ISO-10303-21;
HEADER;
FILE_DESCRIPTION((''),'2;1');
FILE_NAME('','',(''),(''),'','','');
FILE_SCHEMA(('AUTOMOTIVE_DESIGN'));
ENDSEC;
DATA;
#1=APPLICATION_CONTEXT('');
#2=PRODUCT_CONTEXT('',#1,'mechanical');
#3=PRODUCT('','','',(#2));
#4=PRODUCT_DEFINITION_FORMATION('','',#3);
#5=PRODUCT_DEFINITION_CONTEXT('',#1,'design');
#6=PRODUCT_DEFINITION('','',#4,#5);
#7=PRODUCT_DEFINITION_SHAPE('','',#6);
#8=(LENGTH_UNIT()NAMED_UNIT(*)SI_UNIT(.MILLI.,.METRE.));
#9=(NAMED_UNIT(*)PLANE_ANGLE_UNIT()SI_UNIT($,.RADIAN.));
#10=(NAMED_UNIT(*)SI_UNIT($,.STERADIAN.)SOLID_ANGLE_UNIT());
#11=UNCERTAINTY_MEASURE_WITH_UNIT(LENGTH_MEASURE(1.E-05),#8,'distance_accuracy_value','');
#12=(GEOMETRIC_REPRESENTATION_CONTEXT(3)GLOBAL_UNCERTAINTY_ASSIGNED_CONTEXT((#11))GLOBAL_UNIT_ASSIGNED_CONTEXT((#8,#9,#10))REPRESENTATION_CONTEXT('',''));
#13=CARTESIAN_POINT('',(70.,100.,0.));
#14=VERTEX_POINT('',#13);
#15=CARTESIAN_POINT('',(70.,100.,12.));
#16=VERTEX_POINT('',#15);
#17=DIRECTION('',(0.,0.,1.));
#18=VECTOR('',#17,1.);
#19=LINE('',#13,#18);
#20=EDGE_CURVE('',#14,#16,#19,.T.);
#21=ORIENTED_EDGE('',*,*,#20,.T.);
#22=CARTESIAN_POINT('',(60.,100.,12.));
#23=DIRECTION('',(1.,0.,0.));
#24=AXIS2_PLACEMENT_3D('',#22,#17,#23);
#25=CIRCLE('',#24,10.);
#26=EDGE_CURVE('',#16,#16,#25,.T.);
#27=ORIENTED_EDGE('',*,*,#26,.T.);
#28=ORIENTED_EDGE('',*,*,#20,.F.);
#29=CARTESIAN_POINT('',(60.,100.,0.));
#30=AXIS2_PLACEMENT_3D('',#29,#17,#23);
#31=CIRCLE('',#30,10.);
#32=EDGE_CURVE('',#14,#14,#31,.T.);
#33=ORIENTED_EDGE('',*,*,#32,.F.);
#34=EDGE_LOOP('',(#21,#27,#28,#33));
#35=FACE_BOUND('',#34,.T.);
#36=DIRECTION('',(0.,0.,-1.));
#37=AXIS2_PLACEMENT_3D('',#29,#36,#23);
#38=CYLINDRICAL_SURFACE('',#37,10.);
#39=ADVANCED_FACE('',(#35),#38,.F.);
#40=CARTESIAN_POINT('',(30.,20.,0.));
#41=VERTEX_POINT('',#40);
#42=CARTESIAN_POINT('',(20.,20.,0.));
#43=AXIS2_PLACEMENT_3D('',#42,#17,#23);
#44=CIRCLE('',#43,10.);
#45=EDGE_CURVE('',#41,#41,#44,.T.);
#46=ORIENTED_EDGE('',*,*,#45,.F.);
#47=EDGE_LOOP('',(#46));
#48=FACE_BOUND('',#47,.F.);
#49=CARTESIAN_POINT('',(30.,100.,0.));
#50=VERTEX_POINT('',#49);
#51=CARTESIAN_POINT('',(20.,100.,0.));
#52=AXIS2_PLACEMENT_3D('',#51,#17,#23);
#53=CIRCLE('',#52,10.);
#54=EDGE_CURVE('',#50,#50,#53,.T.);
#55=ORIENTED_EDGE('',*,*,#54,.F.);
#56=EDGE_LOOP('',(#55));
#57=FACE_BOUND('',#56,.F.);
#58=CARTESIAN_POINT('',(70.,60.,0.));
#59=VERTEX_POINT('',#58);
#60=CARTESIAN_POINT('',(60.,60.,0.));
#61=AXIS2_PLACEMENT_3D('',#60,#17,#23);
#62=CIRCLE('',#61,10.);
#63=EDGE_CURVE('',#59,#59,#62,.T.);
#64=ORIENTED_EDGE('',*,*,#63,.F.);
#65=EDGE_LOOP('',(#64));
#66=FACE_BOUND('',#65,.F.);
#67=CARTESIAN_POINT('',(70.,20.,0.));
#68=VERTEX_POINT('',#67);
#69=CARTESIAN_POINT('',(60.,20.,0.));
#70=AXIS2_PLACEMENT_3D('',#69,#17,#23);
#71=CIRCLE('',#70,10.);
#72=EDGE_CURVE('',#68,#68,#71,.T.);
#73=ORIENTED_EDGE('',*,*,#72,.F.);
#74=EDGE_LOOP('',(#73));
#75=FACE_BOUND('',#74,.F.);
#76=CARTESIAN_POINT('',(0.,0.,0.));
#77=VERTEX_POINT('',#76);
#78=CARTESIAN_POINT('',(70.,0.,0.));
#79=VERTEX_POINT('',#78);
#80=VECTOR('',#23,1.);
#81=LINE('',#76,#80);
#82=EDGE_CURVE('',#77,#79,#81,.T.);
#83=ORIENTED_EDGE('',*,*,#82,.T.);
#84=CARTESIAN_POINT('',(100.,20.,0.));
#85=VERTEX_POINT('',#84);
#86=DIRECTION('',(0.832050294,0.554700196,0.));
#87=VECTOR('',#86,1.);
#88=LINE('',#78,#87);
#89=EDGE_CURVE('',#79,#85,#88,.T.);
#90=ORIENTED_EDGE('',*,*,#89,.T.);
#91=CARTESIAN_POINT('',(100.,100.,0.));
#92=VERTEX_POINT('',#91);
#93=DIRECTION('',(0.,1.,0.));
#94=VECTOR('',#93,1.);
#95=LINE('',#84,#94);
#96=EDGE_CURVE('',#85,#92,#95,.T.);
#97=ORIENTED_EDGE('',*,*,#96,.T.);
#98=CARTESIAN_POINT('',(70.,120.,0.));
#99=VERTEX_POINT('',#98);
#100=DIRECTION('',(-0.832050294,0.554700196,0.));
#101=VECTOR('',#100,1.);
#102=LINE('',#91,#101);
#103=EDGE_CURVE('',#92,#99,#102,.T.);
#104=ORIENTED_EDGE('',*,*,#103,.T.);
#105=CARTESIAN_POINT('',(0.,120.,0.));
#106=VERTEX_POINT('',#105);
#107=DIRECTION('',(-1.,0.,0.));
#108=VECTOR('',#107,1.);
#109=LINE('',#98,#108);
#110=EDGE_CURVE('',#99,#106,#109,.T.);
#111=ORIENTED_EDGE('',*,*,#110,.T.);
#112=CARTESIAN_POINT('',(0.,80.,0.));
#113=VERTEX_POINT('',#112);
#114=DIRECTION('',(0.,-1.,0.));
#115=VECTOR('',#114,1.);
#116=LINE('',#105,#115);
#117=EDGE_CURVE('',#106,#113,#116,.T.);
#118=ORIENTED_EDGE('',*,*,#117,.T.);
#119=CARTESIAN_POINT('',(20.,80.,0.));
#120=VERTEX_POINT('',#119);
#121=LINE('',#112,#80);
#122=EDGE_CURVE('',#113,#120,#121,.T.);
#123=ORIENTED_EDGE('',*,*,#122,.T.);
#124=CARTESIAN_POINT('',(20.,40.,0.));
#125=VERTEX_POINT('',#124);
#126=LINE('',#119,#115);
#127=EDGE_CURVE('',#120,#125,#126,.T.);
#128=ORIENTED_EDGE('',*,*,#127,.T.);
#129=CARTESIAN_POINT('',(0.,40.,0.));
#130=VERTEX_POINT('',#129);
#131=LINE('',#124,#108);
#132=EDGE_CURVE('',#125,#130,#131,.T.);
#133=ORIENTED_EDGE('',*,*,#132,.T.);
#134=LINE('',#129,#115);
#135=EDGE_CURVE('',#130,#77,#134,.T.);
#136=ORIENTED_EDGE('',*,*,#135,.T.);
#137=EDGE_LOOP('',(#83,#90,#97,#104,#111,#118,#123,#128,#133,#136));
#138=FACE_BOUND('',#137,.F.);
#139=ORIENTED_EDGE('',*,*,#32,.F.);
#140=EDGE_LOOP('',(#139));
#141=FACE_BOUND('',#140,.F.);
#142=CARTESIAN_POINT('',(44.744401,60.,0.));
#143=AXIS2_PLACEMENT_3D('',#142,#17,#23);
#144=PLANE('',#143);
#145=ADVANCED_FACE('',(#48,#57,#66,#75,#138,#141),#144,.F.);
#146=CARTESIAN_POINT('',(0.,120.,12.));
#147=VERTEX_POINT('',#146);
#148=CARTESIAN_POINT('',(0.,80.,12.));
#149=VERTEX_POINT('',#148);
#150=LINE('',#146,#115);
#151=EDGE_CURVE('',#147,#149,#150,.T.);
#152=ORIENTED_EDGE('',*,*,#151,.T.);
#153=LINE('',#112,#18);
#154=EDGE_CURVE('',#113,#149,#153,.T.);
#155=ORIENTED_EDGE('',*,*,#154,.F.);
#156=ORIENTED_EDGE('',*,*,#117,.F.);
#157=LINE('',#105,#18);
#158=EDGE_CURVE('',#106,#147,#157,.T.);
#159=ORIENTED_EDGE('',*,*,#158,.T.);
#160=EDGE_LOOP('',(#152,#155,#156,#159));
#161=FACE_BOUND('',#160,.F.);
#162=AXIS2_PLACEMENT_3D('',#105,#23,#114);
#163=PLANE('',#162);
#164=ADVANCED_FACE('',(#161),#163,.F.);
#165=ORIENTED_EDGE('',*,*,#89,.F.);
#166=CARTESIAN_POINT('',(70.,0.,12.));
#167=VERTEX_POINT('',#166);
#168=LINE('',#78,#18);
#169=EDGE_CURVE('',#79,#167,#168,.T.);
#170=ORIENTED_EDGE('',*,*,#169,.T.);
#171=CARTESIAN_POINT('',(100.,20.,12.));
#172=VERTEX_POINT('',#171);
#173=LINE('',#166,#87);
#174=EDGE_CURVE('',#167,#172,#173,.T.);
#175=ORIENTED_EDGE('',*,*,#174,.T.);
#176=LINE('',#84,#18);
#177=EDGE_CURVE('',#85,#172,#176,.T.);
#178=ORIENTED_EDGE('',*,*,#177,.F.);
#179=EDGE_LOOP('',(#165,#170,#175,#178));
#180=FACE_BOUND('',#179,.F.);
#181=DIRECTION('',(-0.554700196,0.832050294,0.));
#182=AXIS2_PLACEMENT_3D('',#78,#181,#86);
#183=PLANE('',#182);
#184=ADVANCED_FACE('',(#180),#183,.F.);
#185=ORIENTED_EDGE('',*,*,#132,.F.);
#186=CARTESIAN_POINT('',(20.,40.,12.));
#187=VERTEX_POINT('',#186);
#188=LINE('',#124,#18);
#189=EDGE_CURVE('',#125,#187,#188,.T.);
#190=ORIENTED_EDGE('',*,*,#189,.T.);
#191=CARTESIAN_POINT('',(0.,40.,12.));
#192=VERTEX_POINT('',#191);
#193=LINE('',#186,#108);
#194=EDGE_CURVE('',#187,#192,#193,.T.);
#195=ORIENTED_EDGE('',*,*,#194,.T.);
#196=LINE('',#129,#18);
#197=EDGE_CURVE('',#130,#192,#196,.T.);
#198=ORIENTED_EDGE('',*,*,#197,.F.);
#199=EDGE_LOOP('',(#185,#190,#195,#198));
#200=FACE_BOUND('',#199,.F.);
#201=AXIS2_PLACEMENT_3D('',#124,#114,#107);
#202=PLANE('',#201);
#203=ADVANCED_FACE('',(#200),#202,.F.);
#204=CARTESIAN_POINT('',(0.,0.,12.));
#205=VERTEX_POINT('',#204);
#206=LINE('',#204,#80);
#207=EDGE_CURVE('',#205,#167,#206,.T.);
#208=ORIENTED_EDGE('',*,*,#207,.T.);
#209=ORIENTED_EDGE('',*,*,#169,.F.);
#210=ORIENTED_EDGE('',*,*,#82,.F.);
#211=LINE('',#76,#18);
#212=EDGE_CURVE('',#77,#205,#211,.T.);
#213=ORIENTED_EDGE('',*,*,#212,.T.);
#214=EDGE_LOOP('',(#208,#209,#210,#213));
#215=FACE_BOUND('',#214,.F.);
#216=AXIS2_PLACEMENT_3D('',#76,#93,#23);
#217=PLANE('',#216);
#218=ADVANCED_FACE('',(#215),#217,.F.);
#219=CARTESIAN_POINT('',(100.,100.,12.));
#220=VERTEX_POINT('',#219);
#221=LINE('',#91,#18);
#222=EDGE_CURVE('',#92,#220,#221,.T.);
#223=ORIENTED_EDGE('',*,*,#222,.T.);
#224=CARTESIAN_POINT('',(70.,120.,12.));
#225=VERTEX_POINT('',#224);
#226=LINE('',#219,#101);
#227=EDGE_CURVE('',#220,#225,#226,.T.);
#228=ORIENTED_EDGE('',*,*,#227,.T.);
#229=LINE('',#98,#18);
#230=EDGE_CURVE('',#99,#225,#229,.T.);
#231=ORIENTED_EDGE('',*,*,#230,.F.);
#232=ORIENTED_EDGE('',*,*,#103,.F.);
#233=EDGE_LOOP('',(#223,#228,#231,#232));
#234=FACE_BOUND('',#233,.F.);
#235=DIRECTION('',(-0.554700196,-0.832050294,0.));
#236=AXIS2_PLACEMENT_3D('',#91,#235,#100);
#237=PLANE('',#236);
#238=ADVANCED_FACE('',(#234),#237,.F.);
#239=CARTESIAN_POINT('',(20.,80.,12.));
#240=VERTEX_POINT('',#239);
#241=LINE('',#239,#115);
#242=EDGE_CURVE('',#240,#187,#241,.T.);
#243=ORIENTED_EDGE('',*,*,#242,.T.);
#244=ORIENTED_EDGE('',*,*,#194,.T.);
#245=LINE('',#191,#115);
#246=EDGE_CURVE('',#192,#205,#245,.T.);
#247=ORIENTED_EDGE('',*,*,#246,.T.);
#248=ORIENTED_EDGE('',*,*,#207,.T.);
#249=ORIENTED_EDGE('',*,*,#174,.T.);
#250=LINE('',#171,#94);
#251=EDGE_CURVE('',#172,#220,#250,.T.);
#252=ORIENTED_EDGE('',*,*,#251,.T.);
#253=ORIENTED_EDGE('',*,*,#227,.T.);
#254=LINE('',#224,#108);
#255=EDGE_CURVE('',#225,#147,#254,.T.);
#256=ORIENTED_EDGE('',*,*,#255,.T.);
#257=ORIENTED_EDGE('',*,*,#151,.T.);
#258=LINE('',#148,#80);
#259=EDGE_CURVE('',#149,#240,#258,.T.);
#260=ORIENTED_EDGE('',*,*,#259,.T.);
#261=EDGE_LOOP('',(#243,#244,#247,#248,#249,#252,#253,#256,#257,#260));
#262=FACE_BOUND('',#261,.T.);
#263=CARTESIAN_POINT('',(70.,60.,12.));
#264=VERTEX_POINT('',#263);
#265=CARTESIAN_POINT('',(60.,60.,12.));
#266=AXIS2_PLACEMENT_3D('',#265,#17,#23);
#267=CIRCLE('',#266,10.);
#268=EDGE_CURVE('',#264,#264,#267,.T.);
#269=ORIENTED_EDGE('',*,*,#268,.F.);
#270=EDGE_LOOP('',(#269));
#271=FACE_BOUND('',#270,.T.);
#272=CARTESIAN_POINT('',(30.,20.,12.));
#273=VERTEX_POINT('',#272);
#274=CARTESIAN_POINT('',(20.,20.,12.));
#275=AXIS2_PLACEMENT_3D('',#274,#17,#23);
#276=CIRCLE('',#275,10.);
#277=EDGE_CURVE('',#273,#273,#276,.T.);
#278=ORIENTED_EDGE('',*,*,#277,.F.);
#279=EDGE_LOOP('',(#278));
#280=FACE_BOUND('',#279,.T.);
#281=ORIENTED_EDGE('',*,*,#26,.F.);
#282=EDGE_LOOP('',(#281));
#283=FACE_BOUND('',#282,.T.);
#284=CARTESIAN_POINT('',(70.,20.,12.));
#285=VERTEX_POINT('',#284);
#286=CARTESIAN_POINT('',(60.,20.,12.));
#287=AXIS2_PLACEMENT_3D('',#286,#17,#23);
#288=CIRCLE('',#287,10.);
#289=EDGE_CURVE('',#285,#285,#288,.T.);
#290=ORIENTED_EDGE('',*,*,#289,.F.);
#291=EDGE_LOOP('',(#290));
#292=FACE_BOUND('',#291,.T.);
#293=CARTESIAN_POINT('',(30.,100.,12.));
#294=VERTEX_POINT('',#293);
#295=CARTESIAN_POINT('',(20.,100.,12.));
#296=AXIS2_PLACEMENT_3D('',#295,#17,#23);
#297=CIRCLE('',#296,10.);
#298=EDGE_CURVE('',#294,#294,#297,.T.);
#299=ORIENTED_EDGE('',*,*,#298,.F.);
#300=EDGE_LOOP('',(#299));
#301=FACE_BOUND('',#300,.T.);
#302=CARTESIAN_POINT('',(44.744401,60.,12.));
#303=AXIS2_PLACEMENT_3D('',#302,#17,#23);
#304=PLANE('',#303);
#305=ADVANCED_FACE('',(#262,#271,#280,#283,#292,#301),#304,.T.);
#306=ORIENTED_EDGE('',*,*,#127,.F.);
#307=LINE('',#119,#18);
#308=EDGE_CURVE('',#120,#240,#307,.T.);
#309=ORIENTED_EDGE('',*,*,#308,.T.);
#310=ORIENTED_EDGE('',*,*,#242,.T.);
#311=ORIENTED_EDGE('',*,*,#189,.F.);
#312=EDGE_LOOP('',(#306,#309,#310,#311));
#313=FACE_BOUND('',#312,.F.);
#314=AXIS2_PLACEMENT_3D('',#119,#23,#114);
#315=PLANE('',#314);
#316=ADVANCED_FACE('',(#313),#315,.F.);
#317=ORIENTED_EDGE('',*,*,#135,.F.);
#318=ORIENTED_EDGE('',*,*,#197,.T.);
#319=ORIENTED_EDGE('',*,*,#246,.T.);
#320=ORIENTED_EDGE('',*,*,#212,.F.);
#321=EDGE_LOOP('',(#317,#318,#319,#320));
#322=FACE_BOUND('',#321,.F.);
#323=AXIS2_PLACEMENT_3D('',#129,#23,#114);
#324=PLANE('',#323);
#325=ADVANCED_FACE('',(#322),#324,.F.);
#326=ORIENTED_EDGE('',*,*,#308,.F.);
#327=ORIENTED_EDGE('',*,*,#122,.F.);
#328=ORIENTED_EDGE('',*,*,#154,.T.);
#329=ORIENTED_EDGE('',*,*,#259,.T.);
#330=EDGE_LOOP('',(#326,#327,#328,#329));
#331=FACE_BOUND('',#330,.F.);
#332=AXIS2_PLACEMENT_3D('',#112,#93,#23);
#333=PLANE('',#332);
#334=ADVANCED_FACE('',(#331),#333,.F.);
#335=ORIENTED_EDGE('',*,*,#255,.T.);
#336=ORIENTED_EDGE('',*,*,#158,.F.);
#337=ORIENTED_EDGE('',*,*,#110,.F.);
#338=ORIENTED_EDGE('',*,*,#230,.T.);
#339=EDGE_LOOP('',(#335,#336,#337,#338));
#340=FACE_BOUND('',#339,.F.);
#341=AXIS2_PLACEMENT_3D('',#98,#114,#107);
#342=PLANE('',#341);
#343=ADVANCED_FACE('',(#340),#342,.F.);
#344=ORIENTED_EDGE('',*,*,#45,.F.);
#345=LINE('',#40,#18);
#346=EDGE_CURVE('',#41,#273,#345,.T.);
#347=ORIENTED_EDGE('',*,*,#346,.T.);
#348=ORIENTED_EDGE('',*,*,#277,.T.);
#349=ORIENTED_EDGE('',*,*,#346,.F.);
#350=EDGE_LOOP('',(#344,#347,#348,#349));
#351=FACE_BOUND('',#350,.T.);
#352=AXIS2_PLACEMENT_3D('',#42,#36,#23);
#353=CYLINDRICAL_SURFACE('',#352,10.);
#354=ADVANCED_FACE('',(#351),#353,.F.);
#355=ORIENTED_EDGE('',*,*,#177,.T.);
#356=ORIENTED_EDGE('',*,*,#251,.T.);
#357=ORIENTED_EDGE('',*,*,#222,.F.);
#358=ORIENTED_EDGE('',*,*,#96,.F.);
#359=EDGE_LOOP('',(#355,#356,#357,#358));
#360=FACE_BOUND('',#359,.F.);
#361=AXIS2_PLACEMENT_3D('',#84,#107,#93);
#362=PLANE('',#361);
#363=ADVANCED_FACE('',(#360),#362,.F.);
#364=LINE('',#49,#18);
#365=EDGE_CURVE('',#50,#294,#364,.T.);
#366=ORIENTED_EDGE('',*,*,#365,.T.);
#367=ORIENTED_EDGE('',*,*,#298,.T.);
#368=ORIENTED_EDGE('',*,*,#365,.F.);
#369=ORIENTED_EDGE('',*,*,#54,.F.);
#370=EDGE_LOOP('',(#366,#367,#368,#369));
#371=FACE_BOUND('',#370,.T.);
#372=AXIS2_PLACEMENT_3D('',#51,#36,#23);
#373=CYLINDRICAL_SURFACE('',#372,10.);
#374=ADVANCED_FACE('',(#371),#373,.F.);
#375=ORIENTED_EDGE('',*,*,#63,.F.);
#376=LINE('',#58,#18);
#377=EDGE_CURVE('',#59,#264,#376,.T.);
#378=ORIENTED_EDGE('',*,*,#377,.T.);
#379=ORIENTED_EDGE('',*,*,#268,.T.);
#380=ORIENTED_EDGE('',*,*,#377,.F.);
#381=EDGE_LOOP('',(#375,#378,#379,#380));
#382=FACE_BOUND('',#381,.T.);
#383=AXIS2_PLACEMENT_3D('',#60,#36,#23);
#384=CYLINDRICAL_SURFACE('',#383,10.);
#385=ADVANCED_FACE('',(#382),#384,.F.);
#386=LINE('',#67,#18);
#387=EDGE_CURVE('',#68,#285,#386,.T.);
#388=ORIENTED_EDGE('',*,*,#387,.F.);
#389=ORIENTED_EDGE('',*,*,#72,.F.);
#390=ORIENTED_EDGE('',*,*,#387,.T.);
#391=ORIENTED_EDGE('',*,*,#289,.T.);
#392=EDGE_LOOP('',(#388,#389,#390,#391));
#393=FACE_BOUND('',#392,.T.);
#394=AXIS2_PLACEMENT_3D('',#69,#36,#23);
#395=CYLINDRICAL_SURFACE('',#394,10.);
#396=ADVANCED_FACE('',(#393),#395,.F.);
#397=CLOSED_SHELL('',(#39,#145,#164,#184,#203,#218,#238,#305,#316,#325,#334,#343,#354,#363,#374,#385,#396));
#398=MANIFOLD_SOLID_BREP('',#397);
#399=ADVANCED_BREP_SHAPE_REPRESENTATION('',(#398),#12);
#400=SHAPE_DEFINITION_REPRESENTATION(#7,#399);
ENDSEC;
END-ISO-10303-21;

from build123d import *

# Parameters (mm, degrees)
F0_R     = 10
F1_DEPTH = 12


with BuildPart() as f1:
    # F0 (on Top) → F1 (new body)
    with BuildSketch(Plane.XY):
        Polygon((0, 40), (0, 0), (70, 0), (100, 20), (100, 100), (70, 120), (0, 120), (0, 80), (20, 80), (20, 40), align=None)
        with Locations((20, 20)):
            Circle(F0_R, mode=Mode.SUBTRACT)
        with Locations((60, 20)):
            Circle(F0_R, mode=Mode.SUBTRACT)
        with Locations((20, 100)):
            Circle(F0_R, mode=Mode.SUBTRACT)
        with Locations((60, 60)):
            Circle(F0_R, mode=Mode.SUBTRACT)
        with Locations((60, 100)):
            Circle(F0_R, mode=Mode.SUBTRACT)
    extrude(amount=F1_DEPTH)


solid = f1.part
